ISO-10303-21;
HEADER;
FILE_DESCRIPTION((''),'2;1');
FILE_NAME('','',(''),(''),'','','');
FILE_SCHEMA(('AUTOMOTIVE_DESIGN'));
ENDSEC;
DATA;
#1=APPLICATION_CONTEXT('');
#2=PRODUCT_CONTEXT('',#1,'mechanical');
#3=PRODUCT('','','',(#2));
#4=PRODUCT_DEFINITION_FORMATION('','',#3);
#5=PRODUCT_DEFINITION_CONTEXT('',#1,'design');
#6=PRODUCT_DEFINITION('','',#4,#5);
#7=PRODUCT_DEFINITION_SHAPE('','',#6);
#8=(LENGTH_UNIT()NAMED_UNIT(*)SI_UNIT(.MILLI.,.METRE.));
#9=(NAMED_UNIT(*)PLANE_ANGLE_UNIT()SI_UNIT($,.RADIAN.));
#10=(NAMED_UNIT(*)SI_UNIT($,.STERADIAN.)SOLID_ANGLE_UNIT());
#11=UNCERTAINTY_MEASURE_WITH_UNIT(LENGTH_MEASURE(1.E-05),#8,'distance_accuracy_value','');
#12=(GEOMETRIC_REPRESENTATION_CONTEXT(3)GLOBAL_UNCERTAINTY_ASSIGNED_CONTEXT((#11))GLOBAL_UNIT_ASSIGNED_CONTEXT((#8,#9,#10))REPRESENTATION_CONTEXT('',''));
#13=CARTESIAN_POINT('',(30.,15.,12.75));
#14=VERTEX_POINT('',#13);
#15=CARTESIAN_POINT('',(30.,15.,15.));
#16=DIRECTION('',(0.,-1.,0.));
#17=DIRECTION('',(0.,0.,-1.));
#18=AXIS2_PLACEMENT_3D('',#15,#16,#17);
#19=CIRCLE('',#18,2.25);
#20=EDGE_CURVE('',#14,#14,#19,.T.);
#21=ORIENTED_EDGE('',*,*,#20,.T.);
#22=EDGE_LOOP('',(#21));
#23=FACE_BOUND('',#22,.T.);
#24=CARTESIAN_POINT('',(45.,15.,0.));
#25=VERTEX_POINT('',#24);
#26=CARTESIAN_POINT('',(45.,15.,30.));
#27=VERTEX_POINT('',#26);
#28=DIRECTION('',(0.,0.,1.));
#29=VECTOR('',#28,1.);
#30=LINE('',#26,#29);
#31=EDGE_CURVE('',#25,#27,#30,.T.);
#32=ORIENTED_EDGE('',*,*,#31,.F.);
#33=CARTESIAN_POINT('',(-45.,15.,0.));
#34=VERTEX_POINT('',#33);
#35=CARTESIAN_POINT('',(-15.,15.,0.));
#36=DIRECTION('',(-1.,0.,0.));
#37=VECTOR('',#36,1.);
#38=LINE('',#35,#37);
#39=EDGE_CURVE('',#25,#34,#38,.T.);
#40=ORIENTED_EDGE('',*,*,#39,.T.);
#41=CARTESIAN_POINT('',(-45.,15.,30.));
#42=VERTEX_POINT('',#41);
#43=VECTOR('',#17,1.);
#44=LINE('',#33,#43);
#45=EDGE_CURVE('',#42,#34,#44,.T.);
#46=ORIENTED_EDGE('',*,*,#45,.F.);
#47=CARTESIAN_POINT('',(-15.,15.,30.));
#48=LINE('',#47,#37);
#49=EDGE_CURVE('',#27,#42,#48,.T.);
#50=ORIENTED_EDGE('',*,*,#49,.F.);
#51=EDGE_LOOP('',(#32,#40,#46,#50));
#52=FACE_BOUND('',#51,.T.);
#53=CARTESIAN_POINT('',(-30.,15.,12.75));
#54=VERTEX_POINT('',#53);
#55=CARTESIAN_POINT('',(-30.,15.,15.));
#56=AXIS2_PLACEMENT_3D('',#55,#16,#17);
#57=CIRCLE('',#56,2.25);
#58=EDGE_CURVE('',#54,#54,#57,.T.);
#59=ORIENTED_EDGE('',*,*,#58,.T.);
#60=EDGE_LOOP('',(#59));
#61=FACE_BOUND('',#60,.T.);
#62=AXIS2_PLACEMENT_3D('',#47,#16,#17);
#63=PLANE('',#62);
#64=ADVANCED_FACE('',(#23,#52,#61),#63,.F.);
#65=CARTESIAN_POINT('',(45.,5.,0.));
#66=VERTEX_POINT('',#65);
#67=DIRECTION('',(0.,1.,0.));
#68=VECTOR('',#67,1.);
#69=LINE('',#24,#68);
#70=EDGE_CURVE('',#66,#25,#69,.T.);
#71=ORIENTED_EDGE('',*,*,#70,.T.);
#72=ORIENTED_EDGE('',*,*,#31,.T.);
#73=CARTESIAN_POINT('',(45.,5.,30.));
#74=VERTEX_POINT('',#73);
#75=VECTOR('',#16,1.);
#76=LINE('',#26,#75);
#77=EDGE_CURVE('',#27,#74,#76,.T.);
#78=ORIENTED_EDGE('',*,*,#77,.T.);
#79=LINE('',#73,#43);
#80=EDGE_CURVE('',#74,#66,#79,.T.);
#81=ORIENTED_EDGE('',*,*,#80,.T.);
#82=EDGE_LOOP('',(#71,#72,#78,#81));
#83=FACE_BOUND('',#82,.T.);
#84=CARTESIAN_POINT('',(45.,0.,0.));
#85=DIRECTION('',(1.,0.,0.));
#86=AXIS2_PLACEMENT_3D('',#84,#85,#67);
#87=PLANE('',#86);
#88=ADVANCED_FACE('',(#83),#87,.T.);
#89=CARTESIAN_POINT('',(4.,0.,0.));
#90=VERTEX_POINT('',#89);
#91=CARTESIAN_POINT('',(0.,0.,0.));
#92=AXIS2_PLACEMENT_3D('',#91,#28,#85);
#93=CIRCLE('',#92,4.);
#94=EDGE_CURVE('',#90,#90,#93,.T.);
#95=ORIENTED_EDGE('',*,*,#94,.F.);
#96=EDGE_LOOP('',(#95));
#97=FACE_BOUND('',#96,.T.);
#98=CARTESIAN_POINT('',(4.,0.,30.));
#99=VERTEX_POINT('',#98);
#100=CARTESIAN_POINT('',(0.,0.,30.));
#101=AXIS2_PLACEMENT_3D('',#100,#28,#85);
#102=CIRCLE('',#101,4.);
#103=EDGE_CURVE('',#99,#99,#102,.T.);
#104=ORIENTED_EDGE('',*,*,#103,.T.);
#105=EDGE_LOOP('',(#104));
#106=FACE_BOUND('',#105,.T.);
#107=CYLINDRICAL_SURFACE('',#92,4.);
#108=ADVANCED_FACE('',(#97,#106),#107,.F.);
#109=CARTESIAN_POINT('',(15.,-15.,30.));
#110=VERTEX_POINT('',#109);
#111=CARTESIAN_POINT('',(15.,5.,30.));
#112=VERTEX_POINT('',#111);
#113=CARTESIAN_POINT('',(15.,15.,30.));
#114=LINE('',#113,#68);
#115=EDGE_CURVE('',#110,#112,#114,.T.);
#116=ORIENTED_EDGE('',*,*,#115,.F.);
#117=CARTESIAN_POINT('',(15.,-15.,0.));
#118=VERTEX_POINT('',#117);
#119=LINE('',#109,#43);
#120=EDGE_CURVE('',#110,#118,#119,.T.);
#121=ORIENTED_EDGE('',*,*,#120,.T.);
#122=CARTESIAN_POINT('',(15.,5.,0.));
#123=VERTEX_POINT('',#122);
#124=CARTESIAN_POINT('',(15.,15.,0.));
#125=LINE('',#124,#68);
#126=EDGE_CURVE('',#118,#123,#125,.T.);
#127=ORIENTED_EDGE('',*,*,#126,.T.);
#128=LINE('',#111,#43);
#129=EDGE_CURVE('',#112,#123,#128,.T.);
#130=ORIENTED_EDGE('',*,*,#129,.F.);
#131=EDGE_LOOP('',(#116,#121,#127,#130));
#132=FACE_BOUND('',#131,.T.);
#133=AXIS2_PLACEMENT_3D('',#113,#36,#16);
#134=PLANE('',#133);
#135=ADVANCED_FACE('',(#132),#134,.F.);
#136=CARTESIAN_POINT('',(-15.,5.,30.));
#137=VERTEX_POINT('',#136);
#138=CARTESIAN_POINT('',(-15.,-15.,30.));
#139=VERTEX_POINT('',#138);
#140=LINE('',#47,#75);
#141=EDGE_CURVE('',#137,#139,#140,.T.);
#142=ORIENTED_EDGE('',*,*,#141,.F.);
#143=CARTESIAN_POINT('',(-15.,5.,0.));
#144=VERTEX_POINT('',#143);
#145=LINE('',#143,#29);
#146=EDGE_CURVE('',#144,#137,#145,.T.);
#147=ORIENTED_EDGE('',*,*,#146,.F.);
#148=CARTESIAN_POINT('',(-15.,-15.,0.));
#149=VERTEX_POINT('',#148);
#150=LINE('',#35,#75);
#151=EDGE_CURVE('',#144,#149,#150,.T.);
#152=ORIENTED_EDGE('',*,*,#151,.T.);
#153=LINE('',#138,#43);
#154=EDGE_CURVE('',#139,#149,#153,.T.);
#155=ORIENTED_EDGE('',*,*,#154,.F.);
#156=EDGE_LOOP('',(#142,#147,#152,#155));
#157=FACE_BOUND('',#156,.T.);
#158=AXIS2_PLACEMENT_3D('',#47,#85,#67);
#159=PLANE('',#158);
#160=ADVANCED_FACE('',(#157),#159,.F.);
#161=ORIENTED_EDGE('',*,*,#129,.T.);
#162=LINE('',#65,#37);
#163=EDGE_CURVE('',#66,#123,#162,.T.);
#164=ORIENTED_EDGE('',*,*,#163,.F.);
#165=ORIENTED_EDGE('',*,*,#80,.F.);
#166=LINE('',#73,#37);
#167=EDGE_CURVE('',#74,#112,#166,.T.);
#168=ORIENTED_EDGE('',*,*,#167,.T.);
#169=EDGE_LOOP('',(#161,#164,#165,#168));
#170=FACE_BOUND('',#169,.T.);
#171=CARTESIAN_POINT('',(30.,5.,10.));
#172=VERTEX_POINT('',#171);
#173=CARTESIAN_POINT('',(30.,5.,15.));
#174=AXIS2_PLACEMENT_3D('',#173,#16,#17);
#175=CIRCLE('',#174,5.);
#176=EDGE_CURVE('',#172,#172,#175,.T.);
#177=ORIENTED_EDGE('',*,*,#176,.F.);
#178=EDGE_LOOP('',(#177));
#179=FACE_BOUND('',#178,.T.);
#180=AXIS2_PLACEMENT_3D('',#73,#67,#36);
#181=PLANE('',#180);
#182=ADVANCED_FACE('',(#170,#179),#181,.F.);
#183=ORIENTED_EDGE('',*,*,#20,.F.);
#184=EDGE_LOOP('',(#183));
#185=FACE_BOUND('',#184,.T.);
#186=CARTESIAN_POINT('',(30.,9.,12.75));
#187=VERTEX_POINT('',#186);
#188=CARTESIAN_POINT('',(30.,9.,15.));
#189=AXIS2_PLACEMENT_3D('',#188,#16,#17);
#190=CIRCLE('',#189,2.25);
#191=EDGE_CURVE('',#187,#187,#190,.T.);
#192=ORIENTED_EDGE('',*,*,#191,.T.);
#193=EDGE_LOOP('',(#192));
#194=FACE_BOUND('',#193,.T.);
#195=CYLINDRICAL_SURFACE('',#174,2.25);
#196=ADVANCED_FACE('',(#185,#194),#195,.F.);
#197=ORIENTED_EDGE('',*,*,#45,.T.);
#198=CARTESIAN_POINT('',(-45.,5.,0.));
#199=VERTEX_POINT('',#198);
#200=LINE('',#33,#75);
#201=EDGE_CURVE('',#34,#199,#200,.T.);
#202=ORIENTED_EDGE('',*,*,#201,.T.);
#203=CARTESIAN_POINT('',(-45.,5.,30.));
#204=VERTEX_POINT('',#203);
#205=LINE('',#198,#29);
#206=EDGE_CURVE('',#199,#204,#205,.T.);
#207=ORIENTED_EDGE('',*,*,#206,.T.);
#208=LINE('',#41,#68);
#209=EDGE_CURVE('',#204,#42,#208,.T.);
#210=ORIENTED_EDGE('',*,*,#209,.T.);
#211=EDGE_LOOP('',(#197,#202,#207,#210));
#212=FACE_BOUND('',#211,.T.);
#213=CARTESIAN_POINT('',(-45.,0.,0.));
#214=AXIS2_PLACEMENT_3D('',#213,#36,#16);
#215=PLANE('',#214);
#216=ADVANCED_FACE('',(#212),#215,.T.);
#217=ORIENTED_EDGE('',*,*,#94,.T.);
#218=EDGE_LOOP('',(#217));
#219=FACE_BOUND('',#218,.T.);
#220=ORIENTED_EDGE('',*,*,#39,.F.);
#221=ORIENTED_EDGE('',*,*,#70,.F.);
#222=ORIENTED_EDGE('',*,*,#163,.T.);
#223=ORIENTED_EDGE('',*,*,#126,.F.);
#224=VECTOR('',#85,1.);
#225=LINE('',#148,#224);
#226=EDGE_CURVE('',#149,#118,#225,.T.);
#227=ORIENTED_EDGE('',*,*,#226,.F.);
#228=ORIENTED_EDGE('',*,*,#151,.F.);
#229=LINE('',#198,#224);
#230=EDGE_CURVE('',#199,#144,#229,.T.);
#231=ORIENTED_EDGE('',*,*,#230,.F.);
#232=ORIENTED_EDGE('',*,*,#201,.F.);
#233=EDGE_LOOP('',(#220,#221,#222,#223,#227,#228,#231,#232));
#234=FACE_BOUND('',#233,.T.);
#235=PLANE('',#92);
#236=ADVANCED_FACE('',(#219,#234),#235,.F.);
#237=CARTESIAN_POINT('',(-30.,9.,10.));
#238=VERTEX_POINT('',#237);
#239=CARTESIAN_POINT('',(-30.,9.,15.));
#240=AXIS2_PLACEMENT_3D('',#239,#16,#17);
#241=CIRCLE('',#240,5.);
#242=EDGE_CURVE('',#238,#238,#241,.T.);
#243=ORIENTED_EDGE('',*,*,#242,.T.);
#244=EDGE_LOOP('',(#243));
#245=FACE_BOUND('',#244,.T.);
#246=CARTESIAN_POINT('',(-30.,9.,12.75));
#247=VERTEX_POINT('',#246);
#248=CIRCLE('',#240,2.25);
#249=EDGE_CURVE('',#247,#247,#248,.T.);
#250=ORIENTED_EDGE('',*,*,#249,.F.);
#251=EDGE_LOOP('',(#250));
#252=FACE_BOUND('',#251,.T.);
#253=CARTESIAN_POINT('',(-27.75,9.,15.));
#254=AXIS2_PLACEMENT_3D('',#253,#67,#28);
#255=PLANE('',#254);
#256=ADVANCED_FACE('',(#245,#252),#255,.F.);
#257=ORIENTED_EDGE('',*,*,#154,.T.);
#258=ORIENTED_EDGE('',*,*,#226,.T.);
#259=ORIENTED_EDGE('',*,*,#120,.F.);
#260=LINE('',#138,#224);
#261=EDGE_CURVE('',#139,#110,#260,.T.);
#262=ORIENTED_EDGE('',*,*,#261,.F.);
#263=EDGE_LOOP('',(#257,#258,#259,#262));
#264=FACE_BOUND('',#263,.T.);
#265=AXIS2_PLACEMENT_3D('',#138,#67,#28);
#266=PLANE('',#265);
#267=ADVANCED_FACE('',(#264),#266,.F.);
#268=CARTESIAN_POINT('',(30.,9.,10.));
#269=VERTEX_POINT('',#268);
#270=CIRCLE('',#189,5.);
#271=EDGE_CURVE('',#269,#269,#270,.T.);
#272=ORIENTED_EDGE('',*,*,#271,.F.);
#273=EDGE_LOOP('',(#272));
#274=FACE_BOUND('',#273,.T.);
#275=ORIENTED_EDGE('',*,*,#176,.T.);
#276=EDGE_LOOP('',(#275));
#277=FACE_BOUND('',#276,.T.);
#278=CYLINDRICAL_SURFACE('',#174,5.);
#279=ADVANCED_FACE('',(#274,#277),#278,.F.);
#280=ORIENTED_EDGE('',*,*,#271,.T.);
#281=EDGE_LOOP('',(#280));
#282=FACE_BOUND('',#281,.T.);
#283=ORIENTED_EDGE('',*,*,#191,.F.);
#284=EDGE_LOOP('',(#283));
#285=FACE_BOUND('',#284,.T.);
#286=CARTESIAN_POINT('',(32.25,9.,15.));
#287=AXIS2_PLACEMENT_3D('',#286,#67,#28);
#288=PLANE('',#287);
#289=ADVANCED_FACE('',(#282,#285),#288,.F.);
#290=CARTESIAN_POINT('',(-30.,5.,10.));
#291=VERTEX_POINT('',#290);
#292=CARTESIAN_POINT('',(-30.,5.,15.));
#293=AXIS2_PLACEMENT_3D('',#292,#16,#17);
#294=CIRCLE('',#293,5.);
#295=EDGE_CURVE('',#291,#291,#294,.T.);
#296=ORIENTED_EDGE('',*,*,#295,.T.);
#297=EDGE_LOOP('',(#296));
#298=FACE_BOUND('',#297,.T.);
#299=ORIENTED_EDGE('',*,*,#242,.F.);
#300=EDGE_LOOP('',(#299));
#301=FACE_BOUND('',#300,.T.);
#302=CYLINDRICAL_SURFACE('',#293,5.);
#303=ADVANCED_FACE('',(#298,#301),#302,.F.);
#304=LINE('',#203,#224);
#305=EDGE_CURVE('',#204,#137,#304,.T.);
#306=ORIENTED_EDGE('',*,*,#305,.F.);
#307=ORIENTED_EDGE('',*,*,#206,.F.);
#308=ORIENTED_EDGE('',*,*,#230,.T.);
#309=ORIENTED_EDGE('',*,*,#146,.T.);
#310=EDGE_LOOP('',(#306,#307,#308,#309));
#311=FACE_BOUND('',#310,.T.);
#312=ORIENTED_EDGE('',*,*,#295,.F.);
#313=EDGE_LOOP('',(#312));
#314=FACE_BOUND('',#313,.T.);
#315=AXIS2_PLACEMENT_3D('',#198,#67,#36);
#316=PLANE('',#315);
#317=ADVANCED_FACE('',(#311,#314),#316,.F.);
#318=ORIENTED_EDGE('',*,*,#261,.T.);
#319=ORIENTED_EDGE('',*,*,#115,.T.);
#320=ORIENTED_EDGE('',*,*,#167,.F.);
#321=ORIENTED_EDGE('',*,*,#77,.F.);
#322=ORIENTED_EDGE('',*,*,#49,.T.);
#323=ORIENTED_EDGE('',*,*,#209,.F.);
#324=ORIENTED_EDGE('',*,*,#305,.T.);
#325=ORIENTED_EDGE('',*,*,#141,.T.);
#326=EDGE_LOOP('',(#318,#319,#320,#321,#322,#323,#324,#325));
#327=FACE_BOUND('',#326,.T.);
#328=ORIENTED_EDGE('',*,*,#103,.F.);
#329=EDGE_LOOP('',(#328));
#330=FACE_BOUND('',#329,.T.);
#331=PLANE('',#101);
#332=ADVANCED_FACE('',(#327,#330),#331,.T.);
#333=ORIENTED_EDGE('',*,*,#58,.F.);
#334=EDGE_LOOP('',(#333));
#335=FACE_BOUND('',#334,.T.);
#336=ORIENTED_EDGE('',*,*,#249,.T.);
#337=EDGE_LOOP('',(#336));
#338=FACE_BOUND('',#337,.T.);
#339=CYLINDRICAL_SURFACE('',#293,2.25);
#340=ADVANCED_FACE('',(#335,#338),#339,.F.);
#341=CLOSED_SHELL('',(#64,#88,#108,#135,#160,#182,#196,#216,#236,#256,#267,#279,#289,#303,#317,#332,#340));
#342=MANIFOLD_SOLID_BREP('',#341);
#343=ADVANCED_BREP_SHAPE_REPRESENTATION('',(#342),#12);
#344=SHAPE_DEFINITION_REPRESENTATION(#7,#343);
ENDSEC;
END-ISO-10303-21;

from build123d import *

# Parameters (mm, degrees)
SKETCH_1_W                   = 30
SKETCH_1_H                   = 30
EXTRUDE_1_DEPTH              = 30
SKETCH_2_R                   = 4
CUT_EXTRUDE_1_DEPTH          = 30
SKETCH_3_W                   = 30
SKETCH_3_H                   = 10
EXTRUDE_2_DEPTH              = 30
SKETCH_4_W                   = 30
SKETCH_4_H                   = 10
EXTRUDE_3_DEPTH              = 30
HOLE_WIZARD_M4_1_D           = 4.5
HOLE_WIZARD_M4_1_CBORE_D     = 10
HOLE_WIZARD_M4_1_CBORE_DEPTH = 4


with BuildPart() as part:
    # 스케치1 → 보스-돌출1 (new body)
    with BuildSketch(Plane.XY):
        Rectangle(SKETCH_1_W, SKETCH_1_H)
    extrude(amount=EXTRUDE_1_DEPTH)

    # 스케치2 → 컷-돌출1 (cut)
    with BuildSketch(Plane.XY.offset(30)):
        Circle(SKETCH_2_R)
    extrude(amount=-CUT_EXTRUDE_1_DEPTH, mode=Mode.SUBTRACT)

    # 스케치3 → 보스-돌출2 (add)
    with BuildSketch(Plane(origin=(15, 0, 0), x_dir=(0, 0, -1), z_dir=(1, 0, 0))):
        with Locations((-15, 10)):
            Rectangle(SKETCH_3_W, SKETCH_3_H)
    extrude(amount=EXTRUDE_2_DEPTH)

    # 스케치4 → 보스-돌출3 (add)
    with BuildSketch(Plane.ZY.offset(15)):
        with Locations((15, 10)):
            Rectangle(SKETCH_4_W, SKETCH_4_H)
    extrude(amount=EXTRUDE_3_DEPTH)

    # M4 소켓 머리 캡 나사용 카운터보어1 (through all)
    with Locations(Plane(origin=(0, 5, 0), x_dir=(-1, 0, 0), z_dir=(0, -1, 0))):
        with Locations((-30, -15), (30, -15)):
            CounterBoreHole(HOLE_WIZARD_M4_1_D / 2, HOLE_WIZARD_M4_1_CBORE_D / 2, HOLE_WIZARD_M4_1_CBORE_DEPTH)


solid = part.part
